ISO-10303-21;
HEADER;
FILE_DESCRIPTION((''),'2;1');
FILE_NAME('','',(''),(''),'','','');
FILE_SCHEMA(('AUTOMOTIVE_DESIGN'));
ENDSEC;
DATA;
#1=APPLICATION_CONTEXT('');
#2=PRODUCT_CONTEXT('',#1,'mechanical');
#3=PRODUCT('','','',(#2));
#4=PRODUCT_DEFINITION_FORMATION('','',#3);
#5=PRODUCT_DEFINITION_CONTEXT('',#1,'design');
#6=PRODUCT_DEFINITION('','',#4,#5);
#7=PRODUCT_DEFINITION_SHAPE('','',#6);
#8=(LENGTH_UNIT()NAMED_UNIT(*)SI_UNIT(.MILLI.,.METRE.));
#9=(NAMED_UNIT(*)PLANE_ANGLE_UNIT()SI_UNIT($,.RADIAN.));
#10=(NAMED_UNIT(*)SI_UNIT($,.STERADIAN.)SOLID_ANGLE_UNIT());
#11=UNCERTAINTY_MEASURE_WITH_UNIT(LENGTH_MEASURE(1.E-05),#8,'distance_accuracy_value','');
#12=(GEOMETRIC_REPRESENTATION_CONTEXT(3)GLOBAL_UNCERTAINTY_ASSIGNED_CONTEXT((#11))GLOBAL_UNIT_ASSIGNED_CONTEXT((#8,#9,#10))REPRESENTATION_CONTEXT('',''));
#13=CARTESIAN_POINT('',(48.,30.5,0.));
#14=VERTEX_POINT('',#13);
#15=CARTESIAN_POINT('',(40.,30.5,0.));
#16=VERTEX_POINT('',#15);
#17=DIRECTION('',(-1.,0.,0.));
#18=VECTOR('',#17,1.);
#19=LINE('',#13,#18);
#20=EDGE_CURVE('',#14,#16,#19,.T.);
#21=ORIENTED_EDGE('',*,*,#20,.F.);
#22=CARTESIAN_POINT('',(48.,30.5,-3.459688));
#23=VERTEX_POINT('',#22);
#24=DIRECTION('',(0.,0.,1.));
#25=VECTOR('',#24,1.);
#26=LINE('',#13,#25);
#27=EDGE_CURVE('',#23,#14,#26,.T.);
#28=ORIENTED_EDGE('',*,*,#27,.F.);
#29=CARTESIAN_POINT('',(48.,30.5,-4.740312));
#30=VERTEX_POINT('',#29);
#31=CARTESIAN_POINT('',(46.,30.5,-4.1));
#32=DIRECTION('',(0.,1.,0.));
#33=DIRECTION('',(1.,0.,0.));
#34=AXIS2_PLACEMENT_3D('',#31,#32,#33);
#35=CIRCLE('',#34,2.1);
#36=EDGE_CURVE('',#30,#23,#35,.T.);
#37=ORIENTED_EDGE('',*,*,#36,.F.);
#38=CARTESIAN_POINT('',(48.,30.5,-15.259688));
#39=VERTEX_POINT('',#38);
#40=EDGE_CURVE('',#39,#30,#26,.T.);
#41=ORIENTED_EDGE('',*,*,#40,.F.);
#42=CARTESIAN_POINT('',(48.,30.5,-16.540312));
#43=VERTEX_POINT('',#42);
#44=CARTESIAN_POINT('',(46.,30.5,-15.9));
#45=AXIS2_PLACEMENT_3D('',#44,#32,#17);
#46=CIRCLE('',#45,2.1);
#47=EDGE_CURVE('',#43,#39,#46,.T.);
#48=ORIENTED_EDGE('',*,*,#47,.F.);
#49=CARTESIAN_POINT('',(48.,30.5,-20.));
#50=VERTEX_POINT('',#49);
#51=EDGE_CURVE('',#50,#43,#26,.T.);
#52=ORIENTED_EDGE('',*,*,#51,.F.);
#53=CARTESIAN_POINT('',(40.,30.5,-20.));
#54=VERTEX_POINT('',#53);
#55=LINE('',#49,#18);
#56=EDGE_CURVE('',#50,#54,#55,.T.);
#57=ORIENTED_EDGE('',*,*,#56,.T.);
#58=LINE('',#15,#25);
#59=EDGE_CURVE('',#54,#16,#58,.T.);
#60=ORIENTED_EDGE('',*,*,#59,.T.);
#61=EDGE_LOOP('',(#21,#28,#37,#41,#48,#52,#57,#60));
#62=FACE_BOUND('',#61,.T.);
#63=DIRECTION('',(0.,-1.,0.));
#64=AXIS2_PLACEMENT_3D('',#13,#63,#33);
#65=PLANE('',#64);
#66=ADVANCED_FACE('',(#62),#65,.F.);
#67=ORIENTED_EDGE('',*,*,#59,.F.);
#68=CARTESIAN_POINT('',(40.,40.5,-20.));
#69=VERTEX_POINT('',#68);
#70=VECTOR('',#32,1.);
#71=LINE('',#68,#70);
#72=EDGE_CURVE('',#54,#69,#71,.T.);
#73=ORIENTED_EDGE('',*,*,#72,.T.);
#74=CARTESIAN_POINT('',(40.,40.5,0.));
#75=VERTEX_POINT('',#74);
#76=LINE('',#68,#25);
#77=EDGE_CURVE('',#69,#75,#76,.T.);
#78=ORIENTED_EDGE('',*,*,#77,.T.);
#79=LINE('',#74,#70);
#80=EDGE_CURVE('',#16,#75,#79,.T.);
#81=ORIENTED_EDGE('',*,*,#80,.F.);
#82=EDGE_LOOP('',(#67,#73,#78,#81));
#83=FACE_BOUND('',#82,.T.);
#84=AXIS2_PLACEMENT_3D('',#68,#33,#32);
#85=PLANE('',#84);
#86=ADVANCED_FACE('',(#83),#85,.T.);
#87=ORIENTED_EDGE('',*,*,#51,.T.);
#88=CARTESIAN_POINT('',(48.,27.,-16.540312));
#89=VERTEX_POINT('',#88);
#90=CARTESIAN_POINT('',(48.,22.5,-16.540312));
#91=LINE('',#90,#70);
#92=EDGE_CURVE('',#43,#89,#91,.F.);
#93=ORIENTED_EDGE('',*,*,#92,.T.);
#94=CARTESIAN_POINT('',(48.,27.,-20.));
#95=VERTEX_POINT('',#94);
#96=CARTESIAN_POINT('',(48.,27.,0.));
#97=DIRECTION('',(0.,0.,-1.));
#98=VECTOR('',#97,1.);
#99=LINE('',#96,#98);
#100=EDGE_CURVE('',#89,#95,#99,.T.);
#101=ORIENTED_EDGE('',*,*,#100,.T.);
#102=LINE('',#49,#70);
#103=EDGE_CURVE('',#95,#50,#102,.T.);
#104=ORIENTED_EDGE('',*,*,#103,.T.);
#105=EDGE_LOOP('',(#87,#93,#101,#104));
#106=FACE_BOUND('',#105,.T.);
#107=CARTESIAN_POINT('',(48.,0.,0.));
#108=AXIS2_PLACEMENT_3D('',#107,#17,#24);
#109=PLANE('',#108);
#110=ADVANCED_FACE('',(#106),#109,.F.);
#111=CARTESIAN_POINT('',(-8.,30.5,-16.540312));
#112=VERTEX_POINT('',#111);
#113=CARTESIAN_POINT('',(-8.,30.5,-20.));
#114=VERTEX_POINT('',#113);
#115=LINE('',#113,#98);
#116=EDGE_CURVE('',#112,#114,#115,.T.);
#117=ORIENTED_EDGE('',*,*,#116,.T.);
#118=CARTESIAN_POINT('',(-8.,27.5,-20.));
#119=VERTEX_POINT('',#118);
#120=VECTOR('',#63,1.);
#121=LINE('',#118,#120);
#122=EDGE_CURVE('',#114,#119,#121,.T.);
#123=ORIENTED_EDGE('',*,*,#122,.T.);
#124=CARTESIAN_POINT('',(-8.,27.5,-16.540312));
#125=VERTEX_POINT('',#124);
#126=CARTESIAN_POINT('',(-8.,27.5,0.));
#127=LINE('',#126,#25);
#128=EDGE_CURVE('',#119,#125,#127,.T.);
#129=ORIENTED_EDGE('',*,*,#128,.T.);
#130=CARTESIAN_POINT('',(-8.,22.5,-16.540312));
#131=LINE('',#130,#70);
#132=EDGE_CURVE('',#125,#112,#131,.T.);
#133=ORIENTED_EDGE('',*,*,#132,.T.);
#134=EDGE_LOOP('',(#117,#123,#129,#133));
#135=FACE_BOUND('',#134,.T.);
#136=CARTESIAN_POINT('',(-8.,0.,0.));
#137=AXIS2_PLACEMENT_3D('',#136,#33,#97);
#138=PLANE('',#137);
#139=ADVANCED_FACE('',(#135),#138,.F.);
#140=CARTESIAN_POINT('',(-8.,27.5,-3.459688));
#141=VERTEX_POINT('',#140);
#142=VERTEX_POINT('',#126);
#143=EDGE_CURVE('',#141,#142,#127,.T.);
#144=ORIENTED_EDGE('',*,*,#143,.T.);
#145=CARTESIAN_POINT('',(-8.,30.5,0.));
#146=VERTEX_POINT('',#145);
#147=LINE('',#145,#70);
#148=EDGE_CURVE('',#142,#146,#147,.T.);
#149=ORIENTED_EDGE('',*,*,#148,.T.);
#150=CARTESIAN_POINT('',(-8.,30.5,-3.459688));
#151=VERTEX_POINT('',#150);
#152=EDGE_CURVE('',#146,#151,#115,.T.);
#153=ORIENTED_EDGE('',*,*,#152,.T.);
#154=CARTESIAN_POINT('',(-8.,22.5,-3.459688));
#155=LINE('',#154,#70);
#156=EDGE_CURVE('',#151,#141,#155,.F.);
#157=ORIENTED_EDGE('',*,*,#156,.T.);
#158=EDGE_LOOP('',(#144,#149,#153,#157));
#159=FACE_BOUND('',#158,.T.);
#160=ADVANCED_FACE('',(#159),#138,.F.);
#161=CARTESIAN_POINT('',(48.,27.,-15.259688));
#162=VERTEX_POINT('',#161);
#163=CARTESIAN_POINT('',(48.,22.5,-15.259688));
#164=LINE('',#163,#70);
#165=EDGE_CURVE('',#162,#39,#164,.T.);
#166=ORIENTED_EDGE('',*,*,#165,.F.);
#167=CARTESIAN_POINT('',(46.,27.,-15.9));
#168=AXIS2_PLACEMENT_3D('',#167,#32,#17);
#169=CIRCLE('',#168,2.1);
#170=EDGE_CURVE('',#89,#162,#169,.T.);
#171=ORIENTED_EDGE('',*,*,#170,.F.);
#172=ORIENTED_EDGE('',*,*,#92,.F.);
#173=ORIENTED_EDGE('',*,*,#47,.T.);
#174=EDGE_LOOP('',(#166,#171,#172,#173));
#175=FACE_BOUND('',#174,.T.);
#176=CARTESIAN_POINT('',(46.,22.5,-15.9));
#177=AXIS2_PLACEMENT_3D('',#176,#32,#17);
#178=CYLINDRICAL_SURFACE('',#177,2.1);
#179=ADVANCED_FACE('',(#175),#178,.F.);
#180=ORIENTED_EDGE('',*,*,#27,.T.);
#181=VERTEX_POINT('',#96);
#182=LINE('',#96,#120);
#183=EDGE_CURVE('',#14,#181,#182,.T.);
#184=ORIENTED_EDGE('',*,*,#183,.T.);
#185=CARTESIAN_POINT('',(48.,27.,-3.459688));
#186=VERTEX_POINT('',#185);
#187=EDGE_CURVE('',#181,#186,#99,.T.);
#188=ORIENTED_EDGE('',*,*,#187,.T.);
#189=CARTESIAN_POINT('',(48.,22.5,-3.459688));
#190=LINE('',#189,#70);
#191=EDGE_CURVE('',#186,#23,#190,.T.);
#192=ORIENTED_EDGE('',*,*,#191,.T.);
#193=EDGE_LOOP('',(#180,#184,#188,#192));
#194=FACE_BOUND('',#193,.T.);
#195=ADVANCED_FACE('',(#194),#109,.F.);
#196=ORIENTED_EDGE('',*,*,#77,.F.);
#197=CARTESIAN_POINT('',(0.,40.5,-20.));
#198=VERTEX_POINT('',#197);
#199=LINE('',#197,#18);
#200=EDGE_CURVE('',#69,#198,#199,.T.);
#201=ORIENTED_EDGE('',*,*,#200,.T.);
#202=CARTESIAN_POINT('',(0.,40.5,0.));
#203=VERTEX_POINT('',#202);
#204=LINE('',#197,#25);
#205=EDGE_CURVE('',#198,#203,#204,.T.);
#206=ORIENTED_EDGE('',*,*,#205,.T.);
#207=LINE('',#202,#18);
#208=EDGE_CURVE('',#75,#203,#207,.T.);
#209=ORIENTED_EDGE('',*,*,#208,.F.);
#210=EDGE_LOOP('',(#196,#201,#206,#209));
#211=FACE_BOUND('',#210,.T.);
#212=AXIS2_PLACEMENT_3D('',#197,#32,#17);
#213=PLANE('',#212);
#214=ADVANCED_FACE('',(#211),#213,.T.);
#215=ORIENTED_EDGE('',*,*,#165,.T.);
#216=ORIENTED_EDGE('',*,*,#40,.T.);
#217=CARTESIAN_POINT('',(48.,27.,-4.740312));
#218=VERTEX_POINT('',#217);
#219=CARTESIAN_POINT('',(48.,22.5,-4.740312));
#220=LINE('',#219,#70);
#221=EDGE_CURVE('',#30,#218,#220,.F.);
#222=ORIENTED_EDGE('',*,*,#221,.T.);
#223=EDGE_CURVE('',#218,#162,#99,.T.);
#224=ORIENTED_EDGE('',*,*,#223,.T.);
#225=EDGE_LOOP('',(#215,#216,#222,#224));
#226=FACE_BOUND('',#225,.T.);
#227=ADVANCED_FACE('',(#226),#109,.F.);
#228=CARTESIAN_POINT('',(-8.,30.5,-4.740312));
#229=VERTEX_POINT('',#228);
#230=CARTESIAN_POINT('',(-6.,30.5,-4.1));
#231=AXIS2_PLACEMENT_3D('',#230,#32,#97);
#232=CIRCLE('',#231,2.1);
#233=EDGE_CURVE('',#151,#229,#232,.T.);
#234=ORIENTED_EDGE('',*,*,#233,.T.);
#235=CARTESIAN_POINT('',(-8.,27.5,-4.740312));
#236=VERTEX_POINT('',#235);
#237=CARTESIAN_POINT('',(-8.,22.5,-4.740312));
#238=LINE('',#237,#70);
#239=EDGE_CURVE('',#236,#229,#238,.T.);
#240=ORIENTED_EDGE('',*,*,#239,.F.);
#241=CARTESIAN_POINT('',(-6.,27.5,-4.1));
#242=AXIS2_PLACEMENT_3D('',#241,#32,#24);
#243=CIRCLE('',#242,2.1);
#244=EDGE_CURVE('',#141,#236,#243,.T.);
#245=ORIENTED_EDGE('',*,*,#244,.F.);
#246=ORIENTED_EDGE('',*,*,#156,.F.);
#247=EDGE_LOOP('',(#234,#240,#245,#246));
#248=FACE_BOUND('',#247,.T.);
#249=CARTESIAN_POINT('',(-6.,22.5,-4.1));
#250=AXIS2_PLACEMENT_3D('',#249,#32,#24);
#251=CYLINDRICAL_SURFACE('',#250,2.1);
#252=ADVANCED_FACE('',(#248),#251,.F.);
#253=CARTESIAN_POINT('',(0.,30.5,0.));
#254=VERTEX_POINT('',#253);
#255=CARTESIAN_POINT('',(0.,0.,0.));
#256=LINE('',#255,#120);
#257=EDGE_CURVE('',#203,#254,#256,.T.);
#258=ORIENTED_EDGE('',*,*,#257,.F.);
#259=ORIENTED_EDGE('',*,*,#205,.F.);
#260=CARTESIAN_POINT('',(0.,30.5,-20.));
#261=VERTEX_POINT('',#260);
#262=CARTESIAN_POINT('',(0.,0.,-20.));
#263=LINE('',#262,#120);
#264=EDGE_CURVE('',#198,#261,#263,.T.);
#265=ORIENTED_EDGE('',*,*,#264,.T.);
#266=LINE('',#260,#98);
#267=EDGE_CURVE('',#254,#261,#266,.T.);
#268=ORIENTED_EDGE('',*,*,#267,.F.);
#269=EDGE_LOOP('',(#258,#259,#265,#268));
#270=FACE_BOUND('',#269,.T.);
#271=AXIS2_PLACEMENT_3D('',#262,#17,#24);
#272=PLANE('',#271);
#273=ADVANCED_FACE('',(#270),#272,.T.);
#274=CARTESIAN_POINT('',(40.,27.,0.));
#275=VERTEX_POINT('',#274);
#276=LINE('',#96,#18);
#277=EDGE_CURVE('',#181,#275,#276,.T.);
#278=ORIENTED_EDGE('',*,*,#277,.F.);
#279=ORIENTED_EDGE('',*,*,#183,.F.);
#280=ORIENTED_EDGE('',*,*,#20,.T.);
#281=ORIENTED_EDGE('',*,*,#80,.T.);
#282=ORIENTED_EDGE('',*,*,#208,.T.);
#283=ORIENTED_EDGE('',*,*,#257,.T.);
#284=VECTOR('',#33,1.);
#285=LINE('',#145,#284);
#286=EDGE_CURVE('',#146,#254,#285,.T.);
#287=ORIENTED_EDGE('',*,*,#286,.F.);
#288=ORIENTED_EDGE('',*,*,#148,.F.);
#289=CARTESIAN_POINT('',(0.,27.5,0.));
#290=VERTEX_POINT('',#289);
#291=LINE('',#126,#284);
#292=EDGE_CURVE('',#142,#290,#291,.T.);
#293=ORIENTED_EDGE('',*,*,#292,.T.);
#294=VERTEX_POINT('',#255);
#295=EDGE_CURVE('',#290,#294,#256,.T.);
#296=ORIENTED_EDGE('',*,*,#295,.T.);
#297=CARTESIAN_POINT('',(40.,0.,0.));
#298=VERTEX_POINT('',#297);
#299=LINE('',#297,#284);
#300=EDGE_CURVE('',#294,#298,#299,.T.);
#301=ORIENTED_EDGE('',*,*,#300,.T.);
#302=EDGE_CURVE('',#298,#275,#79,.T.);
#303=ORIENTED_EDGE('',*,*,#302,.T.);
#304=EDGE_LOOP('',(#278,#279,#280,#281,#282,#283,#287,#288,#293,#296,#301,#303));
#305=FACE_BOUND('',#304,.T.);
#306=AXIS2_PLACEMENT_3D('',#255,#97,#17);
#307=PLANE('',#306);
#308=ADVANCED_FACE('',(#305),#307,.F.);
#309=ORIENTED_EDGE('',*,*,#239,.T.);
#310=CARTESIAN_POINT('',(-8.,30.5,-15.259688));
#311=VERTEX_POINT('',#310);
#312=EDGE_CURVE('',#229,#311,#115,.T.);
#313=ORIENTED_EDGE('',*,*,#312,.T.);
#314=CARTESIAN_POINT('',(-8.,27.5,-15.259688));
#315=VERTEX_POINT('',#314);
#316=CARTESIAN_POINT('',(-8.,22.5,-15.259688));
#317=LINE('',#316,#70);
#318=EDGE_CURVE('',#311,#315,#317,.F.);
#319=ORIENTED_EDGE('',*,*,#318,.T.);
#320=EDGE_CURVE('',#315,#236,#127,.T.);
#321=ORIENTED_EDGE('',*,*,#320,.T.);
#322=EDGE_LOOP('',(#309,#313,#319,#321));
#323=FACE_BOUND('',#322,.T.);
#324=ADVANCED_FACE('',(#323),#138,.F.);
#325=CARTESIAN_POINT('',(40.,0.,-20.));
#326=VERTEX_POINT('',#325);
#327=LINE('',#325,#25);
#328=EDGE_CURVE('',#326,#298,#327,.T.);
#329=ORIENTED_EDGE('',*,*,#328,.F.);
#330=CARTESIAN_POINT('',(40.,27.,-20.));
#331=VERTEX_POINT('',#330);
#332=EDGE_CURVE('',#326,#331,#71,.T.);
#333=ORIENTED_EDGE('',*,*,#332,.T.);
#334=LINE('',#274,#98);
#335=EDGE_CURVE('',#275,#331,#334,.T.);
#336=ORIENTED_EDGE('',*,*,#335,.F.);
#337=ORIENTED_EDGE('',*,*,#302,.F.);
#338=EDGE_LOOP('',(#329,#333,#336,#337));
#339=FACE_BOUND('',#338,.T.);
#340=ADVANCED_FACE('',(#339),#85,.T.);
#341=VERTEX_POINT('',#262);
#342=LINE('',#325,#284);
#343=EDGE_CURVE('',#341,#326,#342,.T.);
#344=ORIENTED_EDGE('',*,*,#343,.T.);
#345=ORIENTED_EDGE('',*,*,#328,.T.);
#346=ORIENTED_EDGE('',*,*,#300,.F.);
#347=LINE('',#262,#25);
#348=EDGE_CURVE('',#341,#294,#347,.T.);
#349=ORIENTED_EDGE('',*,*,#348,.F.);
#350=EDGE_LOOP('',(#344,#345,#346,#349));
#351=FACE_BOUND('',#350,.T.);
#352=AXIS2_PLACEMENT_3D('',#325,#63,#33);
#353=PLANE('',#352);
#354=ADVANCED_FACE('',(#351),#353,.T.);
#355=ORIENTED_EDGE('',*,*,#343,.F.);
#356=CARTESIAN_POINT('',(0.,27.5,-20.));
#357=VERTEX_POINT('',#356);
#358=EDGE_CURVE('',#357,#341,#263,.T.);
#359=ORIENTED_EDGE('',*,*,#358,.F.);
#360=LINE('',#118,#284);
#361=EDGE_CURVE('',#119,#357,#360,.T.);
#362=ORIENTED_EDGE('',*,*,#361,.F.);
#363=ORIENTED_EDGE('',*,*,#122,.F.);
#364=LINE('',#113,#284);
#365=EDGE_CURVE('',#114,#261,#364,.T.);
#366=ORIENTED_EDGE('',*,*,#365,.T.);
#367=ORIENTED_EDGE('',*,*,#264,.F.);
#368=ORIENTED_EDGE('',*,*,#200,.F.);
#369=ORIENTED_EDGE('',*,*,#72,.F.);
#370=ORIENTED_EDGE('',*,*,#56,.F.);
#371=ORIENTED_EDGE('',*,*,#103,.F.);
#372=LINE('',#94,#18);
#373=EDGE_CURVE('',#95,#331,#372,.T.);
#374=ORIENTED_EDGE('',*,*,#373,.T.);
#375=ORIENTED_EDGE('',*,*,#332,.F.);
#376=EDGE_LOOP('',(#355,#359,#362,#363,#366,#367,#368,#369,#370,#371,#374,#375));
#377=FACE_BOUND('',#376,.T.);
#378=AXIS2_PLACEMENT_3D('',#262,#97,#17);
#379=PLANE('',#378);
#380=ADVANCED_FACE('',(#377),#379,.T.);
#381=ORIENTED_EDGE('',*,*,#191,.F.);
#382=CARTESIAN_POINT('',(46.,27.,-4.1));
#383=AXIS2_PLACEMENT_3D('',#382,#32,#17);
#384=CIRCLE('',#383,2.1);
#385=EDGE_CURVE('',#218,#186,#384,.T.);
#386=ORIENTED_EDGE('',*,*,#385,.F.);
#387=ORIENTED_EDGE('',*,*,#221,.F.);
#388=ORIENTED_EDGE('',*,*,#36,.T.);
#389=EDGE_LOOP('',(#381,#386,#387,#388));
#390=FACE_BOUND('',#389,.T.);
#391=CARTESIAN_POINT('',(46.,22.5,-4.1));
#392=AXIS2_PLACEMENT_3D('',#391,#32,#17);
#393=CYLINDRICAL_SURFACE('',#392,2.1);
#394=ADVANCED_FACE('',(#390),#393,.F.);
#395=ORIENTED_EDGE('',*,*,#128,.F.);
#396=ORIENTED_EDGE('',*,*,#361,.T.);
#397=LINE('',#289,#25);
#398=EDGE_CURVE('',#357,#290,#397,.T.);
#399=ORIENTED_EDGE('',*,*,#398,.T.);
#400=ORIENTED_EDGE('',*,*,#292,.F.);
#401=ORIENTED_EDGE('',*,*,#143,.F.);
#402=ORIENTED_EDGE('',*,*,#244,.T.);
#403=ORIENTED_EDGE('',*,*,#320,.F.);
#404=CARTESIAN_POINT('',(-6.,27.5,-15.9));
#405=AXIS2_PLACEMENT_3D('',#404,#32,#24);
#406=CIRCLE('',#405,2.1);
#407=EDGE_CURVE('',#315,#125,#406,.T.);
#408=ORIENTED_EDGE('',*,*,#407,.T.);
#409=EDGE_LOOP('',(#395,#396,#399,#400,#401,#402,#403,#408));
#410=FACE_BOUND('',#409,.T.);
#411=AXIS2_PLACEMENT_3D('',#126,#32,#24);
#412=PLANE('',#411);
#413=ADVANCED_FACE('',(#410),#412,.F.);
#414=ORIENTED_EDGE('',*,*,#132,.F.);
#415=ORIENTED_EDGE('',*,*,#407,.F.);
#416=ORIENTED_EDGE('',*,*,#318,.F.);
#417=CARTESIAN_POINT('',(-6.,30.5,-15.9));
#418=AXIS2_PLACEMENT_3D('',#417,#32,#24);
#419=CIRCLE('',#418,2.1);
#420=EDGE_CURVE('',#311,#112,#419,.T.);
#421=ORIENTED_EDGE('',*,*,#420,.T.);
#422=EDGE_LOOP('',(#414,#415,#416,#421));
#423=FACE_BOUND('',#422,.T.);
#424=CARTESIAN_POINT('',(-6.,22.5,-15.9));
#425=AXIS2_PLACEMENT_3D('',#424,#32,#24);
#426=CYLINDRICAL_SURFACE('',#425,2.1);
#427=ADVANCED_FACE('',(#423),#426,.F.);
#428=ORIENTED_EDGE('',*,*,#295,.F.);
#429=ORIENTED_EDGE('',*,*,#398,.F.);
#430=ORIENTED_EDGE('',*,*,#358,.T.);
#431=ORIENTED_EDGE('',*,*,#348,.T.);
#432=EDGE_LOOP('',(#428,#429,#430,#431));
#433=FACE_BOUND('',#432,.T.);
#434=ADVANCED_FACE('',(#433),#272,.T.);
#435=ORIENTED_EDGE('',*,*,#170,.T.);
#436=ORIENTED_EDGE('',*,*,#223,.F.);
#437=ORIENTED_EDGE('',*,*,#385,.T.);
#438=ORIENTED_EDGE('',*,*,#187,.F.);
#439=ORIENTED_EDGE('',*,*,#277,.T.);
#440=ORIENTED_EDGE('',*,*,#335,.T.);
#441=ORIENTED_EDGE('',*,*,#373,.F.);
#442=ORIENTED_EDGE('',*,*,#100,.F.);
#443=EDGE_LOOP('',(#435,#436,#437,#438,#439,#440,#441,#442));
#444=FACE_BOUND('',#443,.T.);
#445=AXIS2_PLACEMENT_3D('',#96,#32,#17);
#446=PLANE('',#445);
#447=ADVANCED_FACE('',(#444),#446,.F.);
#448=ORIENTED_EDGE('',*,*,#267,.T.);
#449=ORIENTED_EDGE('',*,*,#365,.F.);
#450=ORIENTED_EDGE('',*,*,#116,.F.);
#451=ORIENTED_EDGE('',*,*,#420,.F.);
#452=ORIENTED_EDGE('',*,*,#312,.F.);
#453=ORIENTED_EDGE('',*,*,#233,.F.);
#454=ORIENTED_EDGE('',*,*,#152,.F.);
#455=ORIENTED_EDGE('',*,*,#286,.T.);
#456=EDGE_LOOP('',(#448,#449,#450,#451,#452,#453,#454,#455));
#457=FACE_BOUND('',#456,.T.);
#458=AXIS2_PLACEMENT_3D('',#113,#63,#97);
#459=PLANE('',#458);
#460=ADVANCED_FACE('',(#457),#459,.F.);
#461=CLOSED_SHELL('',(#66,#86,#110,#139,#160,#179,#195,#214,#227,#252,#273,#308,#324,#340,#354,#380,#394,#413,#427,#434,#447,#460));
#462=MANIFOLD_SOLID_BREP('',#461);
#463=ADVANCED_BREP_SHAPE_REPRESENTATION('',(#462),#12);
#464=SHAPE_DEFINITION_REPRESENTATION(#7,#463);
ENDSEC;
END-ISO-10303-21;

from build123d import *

# Parameters (mm, degrees)
SKETCH2_W           = 40
SKETCH2_H           = 40.5
BOSS_EXTRUDE1_DEPTH = 20
SKETCH3_W           = 20
SKETCH3_H           = 3.5
BOSS_EXTRUDE2_DEPTH = 8
SKETCH4_R           = 2.1
CUT_EXTRUDE1_DEPTH  = 8
SKETCH5_W           = 20
SKETCH5_H           = 3
BOSS_EXTRUDE3_DEPTH = 8
SKETCH6_R           = 2.1
CUT_EXTRUDE2_DEPTH  = 8


with BuildPart() as part:
    # Sketch2 → Boss-Extrude1 (new body)
    with BuildSketch(Plane.XY):
        with Locations((20, 20.25)):
            Rectangle(SKETCH2_W, SKETCH2_H)
    extrude(amount=-BOSS_EXTRUDE1_DEPTH)

    # Sketch3 → Boss-Extrude2 (add)
    with BuildSketch(Plane(origin=(40, 0, 0), x_dir=(0, 0, -1), z_dir=(1, 0, 0))):
        with Locations((10, 28.75)):
            Rectangle(SKETCH3_W, SKETCH3_H)
    extrude(amount=BOSS_EXTRUDE2_DEPTH)

    # Sketch4 → Cut-Extrude1 (cut)
    with BuildSketch(Plane(origin=(0, 30.5, 0), x_dir=(1, 0, 0), z_dir=(0, 1, 0))):
        with Locations((46, 15.9)):
            Circle(SKETCH4_R)
        with Locations((46, 4.1)):
            Circle(SKETCH4_R)
    extrude(amount=-CUT_EXTRUDE1_DEPTH, mode=Mode.SUBTRACT)

    # Sketch5 → Boss-Extrude3 (add)
    with BuildSketch(Plane.ZY):
        with Locations((-10, 29)):
            Rectangle(SKETCH5_W, SKETCH5_H)
    extrude(amount=BOSS_EXTRUDE3_DEPTH)

    # Sketch6 → Cut-Extrude2 (cut)
    with BuildSketch(Plane(origin=(0, 30.5, 0), x_dir=(1, 0, 0), z_dir=(0, 1, 0))):
        with Locations((-6, 15.9)):
            Circle(SKETCH6_R)
        with Locations((-6, 4.1)):
            Circle(SKETCH6_R)
    extrude(amount=-CUT_EXTRUDE2_DEPTH, mode=Mode.SUBTRACT)


solid = part.part
